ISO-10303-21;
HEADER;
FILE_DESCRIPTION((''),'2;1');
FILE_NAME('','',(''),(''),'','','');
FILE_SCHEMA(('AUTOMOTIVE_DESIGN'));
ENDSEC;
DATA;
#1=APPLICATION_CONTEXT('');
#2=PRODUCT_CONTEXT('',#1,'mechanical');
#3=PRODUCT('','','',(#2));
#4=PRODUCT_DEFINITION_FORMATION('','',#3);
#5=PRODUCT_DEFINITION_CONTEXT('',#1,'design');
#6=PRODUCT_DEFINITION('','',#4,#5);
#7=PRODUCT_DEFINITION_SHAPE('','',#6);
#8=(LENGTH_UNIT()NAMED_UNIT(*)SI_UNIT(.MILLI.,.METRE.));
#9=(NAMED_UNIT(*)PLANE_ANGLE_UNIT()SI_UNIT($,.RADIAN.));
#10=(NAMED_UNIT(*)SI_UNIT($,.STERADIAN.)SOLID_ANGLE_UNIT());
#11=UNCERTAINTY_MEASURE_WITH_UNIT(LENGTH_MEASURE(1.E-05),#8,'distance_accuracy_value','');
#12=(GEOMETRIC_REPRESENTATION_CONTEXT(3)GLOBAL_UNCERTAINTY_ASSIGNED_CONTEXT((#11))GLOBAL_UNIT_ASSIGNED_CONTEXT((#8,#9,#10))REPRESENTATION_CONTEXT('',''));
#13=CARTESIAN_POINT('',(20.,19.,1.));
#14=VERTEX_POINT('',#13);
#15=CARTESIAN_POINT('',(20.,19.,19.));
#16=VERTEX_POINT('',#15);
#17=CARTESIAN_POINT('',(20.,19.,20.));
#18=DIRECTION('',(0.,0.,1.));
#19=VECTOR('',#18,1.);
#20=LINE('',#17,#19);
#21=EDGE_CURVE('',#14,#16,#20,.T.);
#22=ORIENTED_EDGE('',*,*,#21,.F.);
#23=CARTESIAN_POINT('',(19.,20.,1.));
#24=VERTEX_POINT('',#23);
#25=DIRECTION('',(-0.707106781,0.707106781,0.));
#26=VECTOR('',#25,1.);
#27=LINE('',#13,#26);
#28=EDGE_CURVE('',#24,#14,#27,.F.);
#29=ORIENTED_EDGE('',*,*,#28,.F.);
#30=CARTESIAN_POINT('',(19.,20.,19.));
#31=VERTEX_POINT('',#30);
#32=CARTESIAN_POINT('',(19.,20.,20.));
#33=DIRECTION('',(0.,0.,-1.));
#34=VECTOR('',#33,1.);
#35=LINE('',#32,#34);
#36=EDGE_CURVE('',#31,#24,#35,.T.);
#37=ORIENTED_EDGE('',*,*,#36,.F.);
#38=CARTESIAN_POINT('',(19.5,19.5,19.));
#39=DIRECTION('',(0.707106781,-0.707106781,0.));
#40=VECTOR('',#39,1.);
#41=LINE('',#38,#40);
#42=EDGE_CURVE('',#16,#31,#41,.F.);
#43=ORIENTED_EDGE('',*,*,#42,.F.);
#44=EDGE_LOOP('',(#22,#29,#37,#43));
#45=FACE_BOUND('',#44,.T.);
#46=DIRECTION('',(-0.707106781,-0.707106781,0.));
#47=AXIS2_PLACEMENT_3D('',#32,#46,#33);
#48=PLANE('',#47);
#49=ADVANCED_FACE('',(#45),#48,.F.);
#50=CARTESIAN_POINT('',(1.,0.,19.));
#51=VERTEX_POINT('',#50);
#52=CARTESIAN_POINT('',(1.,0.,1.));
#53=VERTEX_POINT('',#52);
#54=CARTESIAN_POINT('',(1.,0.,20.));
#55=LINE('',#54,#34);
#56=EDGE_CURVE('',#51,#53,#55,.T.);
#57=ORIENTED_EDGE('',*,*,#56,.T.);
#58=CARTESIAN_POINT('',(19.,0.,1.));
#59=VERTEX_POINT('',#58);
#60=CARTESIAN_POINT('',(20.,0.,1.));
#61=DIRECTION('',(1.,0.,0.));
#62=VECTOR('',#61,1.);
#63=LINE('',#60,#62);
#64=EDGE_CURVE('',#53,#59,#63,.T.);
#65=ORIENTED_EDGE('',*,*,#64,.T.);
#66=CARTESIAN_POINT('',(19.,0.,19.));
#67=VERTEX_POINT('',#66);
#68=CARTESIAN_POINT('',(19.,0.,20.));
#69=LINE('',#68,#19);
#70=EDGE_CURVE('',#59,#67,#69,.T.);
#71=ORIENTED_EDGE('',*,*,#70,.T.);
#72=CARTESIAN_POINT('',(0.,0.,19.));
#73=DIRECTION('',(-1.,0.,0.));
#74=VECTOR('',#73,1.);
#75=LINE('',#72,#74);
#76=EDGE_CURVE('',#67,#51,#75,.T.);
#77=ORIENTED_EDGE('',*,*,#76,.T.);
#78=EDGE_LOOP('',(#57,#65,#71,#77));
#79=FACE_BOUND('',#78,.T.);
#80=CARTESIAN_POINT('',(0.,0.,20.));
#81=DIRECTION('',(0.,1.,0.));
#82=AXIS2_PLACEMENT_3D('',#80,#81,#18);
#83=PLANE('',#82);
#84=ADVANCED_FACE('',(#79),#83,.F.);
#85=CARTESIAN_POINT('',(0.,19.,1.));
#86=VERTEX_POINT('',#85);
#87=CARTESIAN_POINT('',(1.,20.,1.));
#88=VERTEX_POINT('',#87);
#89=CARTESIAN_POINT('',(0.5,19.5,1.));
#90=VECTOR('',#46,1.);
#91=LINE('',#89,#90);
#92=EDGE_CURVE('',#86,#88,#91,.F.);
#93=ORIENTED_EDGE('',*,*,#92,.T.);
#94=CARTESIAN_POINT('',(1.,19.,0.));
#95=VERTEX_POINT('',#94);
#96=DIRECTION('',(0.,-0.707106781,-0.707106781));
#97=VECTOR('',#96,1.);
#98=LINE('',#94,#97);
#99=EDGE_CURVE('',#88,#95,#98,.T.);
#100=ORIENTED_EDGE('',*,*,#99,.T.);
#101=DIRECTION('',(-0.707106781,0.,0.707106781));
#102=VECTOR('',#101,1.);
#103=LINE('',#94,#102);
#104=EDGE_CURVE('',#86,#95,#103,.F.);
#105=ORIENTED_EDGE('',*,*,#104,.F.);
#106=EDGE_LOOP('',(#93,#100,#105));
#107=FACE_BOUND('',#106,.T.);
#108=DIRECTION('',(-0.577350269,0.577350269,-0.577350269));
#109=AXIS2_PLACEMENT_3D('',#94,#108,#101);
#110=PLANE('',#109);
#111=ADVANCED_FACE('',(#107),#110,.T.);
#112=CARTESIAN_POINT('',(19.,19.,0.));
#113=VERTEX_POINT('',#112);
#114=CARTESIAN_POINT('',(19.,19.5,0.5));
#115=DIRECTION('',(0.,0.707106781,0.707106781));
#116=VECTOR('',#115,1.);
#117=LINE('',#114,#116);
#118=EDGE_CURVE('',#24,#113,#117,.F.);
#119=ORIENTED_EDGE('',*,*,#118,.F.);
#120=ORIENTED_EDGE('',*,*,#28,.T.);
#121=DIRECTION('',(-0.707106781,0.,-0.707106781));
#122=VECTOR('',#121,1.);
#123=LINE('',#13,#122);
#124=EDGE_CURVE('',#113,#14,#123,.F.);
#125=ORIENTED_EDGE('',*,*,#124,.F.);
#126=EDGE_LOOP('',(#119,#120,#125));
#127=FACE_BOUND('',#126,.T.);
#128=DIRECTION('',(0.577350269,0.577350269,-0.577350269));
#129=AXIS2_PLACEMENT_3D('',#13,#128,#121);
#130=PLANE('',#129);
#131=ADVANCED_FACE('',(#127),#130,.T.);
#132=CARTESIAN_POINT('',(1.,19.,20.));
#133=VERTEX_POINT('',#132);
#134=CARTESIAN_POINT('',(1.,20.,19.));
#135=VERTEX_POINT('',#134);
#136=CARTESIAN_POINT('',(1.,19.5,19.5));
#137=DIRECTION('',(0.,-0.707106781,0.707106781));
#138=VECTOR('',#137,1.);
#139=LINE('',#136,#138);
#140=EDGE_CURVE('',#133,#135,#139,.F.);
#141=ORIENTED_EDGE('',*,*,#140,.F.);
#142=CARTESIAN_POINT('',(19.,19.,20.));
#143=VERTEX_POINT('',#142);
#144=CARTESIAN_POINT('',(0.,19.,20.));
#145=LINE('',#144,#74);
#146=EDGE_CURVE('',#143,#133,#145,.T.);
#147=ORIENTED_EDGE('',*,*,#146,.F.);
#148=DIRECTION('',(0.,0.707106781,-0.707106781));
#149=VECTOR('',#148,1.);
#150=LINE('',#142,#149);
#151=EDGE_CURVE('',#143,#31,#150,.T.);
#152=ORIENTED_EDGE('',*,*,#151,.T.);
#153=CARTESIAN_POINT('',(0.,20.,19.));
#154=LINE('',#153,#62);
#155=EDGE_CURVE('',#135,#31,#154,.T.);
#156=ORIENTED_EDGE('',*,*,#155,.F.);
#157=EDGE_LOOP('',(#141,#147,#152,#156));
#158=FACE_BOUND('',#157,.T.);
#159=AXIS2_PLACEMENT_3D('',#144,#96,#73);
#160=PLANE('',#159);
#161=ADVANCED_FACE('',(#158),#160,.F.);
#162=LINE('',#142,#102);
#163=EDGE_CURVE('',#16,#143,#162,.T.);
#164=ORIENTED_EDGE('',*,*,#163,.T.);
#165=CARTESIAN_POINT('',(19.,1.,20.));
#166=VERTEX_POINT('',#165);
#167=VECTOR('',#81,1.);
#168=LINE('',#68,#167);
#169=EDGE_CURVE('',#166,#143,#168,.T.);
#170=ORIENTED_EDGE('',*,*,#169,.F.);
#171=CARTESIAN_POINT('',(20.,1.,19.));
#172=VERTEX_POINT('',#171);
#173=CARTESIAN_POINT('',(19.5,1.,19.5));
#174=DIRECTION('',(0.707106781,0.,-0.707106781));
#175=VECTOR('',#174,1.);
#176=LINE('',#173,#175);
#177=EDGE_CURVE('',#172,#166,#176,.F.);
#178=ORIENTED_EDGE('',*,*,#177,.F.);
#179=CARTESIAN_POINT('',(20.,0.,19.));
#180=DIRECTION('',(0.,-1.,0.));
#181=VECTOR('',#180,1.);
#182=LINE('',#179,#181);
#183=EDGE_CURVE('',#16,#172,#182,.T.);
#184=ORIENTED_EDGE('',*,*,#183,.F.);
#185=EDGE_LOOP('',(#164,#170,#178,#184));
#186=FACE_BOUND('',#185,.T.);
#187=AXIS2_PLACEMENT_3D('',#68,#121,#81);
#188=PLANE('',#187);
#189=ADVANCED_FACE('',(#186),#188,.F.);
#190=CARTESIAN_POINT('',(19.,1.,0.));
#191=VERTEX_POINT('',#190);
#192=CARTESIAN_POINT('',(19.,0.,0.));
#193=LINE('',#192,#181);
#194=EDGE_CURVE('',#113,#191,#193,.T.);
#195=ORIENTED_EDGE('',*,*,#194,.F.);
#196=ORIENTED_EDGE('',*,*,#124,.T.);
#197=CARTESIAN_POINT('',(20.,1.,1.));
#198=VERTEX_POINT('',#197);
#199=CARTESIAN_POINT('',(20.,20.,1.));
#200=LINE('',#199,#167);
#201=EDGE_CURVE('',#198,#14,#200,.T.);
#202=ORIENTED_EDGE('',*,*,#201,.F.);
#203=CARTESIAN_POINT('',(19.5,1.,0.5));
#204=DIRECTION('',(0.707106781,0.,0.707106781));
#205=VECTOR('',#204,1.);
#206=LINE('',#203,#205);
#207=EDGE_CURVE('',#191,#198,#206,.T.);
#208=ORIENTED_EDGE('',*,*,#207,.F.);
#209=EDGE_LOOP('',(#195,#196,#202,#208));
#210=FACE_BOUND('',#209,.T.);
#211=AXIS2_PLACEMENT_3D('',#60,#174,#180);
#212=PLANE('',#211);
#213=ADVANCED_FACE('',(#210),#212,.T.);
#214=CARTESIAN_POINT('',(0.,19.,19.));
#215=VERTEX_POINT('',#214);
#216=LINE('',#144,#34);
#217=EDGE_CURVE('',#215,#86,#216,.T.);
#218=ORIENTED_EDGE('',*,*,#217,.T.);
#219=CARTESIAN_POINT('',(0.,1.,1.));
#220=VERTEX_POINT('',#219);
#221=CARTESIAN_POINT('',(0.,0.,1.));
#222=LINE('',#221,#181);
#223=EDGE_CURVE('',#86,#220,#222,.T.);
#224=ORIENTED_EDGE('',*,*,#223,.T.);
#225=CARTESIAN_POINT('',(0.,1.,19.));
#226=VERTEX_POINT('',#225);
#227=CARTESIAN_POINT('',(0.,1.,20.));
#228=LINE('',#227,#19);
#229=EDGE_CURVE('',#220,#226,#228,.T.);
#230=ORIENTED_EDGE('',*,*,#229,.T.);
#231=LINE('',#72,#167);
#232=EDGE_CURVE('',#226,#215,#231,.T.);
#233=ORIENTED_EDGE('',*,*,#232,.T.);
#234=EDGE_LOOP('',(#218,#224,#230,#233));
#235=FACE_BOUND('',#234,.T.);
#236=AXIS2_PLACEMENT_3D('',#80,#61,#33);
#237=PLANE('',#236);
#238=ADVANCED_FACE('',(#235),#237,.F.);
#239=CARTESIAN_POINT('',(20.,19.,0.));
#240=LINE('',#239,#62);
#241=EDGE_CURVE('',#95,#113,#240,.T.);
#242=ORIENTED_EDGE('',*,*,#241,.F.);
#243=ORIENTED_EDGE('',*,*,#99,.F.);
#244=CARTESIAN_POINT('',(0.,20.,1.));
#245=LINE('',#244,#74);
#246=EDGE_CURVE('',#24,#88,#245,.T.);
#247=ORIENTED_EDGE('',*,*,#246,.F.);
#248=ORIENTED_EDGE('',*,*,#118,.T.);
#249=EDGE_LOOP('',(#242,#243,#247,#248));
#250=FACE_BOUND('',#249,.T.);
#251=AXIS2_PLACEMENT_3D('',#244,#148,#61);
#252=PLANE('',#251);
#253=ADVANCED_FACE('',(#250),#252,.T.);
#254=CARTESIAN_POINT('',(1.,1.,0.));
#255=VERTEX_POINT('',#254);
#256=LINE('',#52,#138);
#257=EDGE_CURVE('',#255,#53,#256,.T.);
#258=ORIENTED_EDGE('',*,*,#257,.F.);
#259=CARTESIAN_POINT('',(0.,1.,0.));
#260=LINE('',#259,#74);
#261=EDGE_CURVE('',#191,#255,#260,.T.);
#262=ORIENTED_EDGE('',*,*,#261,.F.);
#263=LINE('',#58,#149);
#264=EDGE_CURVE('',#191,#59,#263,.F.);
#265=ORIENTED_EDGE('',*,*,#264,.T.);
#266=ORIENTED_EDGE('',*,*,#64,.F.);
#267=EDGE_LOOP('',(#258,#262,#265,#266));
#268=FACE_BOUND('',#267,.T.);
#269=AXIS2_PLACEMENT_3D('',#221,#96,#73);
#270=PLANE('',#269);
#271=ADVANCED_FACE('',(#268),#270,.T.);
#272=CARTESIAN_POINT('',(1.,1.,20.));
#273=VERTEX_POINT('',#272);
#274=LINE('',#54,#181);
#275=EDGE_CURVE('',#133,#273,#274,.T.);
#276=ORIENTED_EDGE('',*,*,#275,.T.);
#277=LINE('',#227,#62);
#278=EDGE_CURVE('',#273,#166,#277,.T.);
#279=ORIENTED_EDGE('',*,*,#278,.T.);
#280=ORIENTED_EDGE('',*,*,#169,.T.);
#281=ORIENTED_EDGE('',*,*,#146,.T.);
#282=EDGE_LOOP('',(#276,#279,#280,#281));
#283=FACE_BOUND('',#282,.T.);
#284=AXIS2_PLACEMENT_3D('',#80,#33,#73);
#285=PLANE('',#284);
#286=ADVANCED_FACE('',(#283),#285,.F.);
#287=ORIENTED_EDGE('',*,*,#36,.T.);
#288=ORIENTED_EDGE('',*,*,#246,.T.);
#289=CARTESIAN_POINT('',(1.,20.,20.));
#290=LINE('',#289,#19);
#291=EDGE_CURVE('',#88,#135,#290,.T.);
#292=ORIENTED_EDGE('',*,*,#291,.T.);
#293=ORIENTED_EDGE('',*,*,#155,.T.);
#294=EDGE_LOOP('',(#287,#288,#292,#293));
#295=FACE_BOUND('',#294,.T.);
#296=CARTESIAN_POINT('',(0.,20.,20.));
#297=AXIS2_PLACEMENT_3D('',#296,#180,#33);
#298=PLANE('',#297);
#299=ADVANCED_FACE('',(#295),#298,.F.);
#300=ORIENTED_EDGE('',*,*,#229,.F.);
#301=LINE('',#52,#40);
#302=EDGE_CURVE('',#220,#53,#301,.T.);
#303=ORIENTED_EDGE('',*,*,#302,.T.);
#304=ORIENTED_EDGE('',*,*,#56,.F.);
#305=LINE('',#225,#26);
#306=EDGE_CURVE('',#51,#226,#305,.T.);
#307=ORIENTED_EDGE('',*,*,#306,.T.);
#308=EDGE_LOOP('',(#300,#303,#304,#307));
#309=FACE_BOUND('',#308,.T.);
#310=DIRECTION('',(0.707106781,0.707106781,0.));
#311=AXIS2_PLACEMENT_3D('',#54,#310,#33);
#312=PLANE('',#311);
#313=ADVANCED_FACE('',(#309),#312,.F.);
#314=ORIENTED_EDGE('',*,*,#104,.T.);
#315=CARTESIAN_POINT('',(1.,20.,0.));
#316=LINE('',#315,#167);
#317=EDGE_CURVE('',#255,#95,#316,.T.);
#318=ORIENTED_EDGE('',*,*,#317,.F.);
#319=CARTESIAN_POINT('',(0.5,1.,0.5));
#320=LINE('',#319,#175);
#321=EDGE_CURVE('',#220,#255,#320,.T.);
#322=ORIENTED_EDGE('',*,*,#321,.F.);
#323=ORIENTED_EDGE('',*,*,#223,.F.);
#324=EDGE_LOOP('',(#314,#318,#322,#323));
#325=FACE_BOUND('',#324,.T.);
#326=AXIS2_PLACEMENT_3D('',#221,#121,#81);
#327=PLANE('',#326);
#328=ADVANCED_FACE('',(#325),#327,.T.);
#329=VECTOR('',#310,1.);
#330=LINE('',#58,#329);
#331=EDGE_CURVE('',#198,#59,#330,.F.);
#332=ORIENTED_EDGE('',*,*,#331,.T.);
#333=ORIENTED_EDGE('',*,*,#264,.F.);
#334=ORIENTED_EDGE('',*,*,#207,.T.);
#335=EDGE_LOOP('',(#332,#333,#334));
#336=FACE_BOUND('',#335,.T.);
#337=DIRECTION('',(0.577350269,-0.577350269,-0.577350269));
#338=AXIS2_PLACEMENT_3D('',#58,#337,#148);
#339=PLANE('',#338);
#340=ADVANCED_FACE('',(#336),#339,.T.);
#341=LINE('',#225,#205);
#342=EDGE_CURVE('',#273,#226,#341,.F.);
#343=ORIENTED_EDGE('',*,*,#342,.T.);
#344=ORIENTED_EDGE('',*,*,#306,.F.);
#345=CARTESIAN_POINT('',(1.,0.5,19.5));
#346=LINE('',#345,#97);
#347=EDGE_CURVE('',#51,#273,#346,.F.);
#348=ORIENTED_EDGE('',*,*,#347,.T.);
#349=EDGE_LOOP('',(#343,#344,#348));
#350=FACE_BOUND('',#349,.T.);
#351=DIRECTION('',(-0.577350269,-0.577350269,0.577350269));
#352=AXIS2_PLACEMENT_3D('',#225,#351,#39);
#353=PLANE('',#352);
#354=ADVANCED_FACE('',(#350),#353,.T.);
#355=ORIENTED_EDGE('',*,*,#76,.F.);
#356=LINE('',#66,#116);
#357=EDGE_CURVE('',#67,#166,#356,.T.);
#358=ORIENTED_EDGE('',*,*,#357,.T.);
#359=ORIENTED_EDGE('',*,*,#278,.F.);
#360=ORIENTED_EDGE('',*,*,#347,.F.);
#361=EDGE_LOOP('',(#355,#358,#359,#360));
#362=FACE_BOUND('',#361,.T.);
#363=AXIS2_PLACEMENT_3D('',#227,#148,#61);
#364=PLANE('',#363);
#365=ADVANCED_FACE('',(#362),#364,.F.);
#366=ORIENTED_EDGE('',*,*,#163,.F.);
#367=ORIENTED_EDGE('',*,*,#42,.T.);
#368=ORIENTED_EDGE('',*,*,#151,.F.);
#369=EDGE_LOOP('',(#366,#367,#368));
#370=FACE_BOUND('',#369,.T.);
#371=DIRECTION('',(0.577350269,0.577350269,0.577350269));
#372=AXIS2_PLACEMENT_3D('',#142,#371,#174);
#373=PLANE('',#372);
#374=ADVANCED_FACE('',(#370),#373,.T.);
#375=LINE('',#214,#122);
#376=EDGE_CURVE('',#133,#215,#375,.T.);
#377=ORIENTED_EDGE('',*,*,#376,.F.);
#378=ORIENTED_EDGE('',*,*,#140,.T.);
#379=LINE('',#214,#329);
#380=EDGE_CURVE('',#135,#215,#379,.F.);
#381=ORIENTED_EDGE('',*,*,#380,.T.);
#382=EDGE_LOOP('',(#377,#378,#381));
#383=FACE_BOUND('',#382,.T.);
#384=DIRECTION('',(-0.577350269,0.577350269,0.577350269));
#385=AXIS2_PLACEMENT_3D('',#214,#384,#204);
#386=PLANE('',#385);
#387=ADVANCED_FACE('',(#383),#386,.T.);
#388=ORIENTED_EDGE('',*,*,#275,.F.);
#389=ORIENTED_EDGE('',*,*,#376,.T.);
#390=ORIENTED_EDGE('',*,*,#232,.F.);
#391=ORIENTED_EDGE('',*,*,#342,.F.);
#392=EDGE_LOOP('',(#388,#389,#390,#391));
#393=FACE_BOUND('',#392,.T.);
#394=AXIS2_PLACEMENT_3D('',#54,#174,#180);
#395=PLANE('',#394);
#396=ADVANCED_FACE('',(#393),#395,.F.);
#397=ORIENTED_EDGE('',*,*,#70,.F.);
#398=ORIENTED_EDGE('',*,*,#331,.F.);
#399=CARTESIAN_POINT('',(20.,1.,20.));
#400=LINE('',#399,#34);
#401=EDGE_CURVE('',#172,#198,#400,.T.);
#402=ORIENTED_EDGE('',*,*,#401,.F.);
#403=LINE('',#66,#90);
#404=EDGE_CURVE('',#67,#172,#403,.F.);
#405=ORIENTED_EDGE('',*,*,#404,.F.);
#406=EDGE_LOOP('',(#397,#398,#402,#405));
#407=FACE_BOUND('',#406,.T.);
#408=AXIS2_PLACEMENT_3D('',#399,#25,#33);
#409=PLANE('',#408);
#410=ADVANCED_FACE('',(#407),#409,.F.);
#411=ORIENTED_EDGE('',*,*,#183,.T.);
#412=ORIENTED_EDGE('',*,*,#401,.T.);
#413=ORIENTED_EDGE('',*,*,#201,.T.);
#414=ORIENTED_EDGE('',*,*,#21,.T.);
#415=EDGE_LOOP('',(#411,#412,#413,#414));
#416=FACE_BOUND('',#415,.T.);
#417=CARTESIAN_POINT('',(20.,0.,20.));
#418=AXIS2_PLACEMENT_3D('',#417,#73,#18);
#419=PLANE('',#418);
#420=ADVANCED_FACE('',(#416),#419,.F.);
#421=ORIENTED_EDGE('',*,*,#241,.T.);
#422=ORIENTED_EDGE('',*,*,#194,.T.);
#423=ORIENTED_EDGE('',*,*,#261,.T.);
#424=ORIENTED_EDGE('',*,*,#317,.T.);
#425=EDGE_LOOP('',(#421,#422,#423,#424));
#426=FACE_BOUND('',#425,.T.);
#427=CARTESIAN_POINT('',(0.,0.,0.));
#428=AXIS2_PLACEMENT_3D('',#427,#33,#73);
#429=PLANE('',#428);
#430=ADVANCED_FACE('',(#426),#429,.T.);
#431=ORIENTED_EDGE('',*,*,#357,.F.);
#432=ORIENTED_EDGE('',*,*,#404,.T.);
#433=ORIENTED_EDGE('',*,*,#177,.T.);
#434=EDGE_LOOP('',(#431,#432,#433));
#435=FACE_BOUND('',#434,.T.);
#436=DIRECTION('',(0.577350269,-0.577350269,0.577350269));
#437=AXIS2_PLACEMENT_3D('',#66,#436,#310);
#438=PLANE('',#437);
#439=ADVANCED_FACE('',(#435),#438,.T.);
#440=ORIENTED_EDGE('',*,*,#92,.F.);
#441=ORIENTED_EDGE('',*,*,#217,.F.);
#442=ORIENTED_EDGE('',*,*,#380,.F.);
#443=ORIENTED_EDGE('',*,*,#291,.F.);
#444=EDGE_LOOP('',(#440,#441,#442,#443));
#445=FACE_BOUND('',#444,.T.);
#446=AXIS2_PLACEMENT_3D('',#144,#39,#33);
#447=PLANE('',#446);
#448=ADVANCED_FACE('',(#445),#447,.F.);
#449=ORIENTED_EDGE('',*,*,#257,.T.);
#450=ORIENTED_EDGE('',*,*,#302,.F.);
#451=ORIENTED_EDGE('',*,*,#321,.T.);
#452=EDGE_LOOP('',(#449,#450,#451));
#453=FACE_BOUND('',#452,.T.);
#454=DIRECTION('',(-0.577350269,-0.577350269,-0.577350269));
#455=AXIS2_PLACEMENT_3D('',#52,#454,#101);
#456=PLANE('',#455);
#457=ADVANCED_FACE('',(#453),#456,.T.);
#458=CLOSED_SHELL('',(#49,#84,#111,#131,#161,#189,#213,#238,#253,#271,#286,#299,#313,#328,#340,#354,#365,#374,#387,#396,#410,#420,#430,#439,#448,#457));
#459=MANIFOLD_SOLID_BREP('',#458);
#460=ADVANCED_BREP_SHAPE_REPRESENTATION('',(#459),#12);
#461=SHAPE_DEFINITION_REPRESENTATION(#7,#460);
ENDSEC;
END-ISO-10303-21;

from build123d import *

# Parameters (mm, degrees)
SKETCH1_W           = 20
SKETCH1_H           = 20
BOSS_EXTRUDE1_DEPTH = 20
CHAMFER1_SIZE       = 1


with BuildPart() as part:
    # Sketch1 → Boss-Extrude1 (new body)
    with BuildSketch(Plane.XY):
        with Locations((10, 10)):
            Rectangle(SKETCH1_W, SKETCH1_H)
    extrude(amount=BOSS_EXTRUDE1_DEPTH)

    # Chamfer1
    chamfer1_edges = [part.edges().sort_by_distance(p)[0] for p in [
        (20, 10, 20),
        (10, 20, 20),
        (0, 10, 20),
        (10, 20, 0),
        (20, 10, 0),
        (10, 0, 0),
        (0, 10, 0),
        (0, 20, 10),
        (20, 20, 10),
        (20, 0, 10),
        (0, 0, 10),
        (10, 0, 20),
    ]]
    chamfer(chamfer1_edges, length=CHAMFER1_SIZE)


solid = part.part
